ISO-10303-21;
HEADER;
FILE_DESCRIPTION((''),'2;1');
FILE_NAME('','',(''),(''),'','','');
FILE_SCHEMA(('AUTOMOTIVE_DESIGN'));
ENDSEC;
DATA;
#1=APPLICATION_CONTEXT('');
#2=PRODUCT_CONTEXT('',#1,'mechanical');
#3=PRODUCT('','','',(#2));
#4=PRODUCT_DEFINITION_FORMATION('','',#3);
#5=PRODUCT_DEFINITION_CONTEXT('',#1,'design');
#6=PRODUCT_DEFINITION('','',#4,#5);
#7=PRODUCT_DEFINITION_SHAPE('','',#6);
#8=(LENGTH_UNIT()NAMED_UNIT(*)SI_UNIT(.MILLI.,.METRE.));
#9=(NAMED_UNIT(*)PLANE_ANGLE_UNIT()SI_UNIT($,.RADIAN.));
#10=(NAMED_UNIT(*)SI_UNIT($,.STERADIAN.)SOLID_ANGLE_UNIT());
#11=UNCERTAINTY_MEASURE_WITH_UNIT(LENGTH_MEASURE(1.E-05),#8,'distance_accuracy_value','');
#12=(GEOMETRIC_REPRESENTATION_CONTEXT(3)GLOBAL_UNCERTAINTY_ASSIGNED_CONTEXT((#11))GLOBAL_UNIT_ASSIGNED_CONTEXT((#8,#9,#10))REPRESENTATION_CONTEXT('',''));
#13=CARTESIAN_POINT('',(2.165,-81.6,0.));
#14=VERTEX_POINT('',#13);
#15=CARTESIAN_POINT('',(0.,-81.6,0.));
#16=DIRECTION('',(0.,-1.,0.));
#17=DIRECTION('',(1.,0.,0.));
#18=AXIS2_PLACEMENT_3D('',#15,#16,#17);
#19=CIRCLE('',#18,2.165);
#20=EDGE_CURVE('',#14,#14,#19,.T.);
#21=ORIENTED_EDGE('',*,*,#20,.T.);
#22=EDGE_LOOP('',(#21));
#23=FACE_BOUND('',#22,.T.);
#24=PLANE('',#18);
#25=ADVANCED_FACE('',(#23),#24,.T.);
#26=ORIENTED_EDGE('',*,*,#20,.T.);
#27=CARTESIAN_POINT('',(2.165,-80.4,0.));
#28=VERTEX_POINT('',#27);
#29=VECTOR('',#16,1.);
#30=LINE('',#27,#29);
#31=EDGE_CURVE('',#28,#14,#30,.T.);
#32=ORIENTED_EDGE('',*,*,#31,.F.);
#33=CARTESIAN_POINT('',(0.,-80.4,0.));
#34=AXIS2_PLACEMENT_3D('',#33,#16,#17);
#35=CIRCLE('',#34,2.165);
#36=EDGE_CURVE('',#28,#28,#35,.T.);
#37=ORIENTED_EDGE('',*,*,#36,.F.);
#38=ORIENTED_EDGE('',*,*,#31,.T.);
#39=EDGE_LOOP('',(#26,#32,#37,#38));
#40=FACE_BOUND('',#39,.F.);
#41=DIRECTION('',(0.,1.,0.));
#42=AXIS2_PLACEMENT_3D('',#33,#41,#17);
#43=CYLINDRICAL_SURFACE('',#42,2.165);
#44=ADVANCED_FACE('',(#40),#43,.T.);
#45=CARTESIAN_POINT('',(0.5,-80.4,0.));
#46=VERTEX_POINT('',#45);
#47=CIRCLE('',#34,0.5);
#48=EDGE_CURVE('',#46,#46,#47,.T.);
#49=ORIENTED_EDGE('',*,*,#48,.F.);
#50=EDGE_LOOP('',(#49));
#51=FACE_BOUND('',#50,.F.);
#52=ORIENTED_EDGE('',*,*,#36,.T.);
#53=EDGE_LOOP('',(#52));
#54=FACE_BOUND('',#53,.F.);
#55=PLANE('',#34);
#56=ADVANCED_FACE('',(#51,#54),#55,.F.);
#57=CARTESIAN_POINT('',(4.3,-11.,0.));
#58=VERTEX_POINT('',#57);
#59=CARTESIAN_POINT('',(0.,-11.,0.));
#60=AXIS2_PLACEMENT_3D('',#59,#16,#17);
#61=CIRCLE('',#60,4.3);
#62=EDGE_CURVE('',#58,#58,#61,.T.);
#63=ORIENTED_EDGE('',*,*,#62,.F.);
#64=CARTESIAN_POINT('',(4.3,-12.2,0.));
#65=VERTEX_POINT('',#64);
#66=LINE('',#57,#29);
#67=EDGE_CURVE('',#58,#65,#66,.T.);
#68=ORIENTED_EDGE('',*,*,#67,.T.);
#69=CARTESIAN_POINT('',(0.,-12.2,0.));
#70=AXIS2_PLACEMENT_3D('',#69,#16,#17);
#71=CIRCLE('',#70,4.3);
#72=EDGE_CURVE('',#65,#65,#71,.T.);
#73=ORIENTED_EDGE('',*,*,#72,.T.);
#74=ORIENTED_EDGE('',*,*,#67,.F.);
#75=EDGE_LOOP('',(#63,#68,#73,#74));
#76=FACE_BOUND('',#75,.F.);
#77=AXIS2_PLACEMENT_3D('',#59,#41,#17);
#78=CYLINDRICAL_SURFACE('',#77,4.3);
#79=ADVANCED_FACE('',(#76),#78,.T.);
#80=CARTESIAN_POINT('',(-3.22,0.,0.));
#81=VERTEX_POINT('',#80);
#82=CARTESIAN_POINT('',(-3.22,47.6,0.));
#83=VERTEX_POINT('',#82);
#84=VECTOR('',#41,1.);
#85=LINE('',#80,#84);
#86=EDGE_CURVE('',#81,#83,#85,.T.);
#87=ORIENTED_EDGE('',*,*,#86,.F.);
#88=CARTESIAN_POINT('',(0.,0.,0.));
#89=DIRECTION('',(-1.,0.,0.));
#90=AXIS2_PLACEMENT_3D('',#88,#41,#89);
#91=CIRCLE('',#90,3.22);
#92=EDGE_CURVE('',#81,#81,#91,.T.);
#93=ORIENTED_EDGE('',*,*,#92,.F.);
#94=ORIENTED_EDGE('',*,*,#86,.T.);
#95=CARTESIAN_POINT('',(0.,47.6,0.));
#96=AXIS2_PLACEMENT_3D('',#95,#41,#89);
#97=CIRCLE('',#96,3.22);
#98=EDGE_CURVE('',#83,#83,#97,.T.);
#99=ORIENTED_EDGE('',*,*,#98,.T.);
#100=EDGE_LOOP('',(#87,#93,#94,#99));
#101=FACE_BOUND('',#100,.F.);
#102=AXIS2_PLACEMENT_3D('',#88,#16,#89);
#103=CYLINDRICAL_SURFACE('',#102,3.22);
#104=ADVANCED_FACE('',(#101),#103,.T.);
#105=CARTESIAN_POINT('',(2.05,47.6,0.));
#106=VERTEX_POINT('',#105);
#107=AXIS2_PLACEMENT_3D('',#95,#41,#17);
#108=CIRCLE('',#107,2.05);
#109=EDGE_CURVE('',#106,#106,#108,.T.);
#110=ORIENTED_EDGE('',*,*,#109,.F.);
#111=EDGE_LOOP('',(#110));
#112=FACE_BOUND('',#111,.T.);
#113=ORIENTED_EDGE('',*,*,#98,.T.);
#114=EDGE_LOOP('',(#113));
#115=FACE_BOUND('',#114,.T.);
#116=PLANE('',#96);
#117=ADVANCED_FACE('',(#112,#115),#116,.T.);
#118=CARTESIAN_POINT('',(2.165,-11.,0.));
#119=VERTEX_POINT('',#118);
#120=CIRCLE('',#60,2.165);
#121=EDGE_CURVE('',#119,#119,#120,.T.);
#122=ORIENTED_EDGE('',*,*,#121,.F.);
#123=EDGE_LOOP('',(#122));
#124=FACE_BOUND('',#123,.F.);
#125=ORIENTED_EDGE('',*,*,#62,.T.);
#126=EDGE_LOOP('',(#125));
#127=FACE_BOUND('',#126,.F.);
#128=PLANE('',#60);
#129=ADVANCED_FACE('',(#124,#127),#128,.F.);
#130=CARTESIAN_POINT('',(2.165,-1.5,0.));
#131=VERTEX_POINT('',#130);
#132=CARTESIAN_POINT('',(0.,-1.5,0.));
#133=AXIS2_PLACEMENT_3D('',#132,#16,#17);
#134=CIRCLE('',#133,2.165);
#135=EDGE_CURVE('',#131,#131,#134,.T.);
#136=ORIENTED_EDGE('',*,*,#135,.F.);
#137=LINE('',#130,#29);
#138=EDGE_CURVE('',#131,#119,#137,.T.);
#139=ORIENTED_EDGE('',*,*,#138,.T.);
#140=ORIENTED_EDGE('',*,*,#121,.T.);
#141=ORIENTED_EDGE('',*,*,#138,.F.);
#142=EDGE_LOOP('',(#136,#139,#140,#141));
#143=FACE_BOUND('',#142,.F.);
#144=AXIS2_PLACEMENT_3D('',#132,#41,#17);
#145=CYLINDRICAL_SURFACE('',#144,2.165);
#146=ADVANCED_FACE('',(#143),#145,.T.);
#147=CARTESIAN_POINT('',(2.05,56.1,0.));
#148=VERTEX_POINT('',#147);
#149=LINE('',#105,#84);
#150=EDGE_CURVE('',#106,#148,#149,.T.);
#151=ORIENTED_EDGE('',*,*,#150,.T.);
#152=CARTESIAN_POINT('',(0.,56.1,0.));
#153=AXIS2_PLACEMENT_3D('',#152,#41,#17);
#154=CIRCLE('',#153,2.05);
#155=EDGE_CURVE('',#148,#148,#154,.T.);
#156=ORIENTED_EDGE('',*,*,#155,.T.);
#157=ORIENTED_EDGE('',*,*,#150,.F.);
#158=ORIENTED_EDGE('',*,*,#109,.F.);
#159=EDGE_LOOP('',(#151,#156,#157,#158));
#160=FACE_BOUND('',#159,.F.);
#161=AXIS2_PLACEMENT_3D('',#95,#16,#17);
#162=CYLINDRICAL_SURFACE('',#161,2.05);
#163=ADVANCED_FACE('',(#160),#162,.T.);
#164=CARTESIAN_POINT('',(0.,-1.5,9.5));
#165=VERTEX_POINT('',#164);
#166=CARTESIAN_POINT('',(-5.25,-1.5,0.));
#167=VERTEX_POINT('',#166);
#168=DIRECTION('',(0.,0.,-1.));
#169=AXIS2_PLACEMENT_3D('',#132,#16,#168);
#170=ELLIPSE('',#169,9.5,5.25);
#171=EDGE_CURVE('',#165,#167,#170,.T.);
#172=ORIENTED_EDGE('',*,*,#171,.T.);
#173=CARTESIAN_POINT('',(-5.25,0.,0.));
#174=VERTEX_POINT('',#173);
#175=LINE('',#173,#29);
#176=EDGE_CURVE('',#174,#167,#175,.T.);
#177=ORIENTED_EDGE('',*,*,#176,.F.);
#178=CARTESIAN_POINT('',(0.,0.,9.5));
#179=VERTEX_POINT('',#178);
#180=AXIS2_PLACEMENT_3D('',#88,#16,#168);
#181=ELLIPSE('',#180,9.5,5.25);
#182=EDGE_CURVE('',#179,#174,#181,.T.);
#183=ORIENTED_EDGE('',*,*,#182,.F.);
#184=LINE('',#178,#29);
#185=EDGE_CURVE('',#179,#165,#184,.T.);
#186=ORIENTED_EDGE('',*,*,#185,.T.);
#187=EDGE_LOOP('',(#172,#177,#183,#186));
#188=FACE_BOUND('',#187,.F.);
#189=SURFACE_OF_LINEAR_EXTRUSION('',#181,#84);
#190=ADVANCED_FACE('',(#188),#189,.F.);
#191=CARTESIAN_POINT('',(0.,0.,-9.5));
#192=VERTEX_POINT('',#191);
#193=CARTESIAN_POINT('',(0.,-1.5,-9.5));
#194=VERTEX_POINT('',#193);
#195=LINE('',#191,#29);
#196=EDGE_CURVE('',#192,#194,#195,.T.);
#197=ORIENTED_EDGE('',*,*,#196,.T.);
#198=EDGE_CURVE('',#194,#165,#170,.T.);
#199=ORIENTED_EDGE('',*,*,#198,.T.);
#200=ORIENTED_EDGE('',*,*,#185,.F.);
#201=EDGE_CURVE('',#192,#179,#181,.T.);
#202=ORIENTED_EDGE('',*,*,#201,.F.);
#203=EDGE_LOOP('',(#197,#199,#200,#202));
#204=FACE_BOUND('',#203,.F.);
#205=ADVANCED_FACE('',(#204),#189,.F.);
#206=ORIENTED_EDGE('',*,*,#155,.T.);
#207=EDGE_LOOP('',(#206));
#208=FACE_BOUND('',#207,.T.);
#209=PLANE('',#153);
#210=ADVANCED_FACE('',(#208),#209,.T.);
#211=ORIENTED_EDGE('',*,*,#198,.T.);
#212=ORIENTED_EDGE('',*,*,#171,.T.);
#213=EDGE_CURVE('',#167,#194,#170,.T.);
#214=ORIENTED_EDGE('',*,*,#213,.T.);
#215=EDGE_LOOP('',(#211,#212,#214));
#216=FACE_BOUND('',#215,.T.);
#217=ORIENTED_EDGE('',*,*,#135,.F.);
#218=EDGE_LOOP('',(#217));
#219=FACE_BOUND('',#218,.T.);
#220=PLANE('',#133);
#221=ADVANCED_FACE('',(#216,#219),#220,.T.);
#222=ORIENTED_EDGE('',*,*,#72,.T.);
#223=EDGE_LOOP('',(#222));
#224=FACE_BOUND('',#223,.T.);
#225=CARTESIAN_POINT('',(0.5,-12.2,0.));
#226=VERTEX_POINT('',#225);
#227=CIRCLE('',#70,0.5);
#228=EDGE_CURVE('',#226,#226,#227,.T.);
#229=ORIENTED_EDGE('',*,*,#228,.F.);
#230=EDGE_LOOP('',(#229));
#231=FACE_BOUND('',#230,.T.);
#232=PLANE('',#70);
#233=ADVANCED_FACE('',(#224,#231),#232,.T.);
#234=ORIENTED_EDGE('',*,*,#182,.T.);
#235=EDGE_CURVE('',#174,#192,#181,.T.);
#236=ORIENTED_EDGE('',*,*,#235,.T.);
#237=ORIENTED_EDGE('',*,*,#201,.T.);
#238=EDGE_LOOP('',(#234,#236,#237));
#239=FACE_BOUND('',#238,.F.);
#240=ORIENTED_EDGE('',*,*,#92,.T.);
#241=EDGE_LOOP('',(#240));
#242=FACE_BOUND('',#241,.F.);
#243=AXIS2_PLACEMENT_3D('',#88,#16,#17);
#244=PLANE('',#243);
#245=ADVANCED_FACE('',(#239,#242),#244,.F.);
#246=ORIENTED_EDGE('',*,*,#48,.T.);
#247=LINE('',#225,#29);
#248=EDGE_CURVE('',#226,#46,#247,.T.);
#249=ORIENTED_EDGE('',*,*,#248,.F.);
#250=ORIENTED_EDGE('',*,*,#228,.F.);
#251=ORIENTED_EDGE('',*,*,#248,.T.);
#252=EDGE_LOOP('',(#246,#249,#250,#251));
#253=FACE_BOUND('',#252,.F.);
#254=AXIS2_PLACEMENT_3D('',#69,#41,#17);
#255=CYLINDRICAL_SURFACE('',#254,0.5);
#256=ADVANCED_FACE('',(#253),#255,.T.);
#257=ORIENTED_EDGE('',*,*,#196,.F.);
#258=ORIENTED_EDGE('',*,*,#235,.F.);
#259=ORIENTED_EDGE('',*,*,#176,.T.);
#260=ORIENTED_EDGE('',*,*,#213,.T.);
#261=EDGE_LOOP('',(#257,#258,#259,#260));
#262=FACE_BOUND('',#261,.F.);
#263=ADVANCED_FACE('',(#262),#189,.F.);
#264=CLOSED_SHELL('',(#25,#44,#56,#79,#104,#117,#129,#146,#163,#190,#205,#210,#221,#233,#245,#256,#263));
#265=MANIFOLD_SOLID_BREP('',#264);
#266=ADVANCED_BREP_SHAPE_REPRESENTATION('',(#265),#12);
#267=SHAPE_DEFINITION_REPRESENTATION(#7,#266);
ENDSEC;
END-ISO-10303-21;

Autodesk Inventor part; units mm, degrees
ref_plane "YZ Plane" through (0, 0, 0) normal (1, 0, 0) x (0, 1, 0)
ref_plane "XZ Plane" through (0, 0, 0) normal (0, 1, 0) x (-1, 0, 0)
ref_plane "XY Plane" through (0, 0, 0) normal (0, 0, 1) x (1, 0, 0)
sketch "Skizze1" plane through (0, 0, 0) normal (0, 1, 0) x (-1, 0, 0)
  circle A0 centre (0, 0) radius 3.22
  dimension "d0" = 6.44
extrude "Extrusion1" add sketch "Skizze1" along normal blind 47.6
sketch "Skizze2" plane through (0, 47.6, 0) normal (0, 1, 0) x (1, 0, 0)
  circle A0 centre (0, 0) radius 3.22 projected
  circle A1 centre (0, 0) radius 3.22 projected
  circle A2 centre (0, 0) radius 2.05
  dimension "d3" = 4.1
extrude "Extrusion2" add sketch "Skizze2" along normal blind 8.5 contours A2
sketch "Skizze3" plane through (0, 0, 0) normal (0, -1, 0) x (1, 0, 0)
  circle A0 centre (0, 0) radius 3.22 projected
  ellipse E0 centre (0, 0) end of major axis (0, -9.5) minor radius 5.25
  line L0 (0, 9.5) -> (0, 0)
  line L1 (0, -10.6353) -> (0, 10.6353) projected
  line L2 (0, 0) -> (-5.25, 0)
  dimension "d6" = 9.5
  dimension "d7" = 5.25
extrude "Extrusion3" add sketch "Skizze3" along normal blind 1.5
sketch "Skizze4" plane through (0, -1.5, 0) normal (0, -1, 0) x (1, 0, 0)
  circle A0 centre (0, 0) radius 3.22 projected
  circle A1 centre (0, 0) radius 2.165
  dimension "d10" = 4.33
extrude "Extrusion4" add sketch "Skizze4" along normal blind 9.5 contours A1
sketch "Skizze5" plane through (0, -11, 0) normal (0, -1, 0) x (1, 0, 0)
  circle A0 centre (0, 0) radius 2.165 projected
  circle A1 centre (0, 0) radius 4.3
  dimension "d13" = 8.6
extrude "Extrusion5" add sketch "Skizze5" along normal blind 1.2 contours A0 | A1
sketch "Skizze6" plane through (0, -12.2, 0) normal (0, -1, 0) x (1, 0, 0)
  ellipse E0 centre (0, 0) end of major axis (0, -9.5) minor radius 5.25 projected
  circle A0 centre (0, 0) radius 0.5
  dimension "d16" = 1
extrude "Extrusion6" add sketch "Skizze6" along normal blind 68.2 contours A0
sketch "Skizze7" plane through (0, -80.4, 0) normal (0, -1, 0) x (1, 0, 0)
  circle A0 centre (0, 0) radius 2.165 projected
extrude "Extrusion7" add sketch "Skizze7" along normal blind 1.2
properties part number "00_Syringe_10ml"
